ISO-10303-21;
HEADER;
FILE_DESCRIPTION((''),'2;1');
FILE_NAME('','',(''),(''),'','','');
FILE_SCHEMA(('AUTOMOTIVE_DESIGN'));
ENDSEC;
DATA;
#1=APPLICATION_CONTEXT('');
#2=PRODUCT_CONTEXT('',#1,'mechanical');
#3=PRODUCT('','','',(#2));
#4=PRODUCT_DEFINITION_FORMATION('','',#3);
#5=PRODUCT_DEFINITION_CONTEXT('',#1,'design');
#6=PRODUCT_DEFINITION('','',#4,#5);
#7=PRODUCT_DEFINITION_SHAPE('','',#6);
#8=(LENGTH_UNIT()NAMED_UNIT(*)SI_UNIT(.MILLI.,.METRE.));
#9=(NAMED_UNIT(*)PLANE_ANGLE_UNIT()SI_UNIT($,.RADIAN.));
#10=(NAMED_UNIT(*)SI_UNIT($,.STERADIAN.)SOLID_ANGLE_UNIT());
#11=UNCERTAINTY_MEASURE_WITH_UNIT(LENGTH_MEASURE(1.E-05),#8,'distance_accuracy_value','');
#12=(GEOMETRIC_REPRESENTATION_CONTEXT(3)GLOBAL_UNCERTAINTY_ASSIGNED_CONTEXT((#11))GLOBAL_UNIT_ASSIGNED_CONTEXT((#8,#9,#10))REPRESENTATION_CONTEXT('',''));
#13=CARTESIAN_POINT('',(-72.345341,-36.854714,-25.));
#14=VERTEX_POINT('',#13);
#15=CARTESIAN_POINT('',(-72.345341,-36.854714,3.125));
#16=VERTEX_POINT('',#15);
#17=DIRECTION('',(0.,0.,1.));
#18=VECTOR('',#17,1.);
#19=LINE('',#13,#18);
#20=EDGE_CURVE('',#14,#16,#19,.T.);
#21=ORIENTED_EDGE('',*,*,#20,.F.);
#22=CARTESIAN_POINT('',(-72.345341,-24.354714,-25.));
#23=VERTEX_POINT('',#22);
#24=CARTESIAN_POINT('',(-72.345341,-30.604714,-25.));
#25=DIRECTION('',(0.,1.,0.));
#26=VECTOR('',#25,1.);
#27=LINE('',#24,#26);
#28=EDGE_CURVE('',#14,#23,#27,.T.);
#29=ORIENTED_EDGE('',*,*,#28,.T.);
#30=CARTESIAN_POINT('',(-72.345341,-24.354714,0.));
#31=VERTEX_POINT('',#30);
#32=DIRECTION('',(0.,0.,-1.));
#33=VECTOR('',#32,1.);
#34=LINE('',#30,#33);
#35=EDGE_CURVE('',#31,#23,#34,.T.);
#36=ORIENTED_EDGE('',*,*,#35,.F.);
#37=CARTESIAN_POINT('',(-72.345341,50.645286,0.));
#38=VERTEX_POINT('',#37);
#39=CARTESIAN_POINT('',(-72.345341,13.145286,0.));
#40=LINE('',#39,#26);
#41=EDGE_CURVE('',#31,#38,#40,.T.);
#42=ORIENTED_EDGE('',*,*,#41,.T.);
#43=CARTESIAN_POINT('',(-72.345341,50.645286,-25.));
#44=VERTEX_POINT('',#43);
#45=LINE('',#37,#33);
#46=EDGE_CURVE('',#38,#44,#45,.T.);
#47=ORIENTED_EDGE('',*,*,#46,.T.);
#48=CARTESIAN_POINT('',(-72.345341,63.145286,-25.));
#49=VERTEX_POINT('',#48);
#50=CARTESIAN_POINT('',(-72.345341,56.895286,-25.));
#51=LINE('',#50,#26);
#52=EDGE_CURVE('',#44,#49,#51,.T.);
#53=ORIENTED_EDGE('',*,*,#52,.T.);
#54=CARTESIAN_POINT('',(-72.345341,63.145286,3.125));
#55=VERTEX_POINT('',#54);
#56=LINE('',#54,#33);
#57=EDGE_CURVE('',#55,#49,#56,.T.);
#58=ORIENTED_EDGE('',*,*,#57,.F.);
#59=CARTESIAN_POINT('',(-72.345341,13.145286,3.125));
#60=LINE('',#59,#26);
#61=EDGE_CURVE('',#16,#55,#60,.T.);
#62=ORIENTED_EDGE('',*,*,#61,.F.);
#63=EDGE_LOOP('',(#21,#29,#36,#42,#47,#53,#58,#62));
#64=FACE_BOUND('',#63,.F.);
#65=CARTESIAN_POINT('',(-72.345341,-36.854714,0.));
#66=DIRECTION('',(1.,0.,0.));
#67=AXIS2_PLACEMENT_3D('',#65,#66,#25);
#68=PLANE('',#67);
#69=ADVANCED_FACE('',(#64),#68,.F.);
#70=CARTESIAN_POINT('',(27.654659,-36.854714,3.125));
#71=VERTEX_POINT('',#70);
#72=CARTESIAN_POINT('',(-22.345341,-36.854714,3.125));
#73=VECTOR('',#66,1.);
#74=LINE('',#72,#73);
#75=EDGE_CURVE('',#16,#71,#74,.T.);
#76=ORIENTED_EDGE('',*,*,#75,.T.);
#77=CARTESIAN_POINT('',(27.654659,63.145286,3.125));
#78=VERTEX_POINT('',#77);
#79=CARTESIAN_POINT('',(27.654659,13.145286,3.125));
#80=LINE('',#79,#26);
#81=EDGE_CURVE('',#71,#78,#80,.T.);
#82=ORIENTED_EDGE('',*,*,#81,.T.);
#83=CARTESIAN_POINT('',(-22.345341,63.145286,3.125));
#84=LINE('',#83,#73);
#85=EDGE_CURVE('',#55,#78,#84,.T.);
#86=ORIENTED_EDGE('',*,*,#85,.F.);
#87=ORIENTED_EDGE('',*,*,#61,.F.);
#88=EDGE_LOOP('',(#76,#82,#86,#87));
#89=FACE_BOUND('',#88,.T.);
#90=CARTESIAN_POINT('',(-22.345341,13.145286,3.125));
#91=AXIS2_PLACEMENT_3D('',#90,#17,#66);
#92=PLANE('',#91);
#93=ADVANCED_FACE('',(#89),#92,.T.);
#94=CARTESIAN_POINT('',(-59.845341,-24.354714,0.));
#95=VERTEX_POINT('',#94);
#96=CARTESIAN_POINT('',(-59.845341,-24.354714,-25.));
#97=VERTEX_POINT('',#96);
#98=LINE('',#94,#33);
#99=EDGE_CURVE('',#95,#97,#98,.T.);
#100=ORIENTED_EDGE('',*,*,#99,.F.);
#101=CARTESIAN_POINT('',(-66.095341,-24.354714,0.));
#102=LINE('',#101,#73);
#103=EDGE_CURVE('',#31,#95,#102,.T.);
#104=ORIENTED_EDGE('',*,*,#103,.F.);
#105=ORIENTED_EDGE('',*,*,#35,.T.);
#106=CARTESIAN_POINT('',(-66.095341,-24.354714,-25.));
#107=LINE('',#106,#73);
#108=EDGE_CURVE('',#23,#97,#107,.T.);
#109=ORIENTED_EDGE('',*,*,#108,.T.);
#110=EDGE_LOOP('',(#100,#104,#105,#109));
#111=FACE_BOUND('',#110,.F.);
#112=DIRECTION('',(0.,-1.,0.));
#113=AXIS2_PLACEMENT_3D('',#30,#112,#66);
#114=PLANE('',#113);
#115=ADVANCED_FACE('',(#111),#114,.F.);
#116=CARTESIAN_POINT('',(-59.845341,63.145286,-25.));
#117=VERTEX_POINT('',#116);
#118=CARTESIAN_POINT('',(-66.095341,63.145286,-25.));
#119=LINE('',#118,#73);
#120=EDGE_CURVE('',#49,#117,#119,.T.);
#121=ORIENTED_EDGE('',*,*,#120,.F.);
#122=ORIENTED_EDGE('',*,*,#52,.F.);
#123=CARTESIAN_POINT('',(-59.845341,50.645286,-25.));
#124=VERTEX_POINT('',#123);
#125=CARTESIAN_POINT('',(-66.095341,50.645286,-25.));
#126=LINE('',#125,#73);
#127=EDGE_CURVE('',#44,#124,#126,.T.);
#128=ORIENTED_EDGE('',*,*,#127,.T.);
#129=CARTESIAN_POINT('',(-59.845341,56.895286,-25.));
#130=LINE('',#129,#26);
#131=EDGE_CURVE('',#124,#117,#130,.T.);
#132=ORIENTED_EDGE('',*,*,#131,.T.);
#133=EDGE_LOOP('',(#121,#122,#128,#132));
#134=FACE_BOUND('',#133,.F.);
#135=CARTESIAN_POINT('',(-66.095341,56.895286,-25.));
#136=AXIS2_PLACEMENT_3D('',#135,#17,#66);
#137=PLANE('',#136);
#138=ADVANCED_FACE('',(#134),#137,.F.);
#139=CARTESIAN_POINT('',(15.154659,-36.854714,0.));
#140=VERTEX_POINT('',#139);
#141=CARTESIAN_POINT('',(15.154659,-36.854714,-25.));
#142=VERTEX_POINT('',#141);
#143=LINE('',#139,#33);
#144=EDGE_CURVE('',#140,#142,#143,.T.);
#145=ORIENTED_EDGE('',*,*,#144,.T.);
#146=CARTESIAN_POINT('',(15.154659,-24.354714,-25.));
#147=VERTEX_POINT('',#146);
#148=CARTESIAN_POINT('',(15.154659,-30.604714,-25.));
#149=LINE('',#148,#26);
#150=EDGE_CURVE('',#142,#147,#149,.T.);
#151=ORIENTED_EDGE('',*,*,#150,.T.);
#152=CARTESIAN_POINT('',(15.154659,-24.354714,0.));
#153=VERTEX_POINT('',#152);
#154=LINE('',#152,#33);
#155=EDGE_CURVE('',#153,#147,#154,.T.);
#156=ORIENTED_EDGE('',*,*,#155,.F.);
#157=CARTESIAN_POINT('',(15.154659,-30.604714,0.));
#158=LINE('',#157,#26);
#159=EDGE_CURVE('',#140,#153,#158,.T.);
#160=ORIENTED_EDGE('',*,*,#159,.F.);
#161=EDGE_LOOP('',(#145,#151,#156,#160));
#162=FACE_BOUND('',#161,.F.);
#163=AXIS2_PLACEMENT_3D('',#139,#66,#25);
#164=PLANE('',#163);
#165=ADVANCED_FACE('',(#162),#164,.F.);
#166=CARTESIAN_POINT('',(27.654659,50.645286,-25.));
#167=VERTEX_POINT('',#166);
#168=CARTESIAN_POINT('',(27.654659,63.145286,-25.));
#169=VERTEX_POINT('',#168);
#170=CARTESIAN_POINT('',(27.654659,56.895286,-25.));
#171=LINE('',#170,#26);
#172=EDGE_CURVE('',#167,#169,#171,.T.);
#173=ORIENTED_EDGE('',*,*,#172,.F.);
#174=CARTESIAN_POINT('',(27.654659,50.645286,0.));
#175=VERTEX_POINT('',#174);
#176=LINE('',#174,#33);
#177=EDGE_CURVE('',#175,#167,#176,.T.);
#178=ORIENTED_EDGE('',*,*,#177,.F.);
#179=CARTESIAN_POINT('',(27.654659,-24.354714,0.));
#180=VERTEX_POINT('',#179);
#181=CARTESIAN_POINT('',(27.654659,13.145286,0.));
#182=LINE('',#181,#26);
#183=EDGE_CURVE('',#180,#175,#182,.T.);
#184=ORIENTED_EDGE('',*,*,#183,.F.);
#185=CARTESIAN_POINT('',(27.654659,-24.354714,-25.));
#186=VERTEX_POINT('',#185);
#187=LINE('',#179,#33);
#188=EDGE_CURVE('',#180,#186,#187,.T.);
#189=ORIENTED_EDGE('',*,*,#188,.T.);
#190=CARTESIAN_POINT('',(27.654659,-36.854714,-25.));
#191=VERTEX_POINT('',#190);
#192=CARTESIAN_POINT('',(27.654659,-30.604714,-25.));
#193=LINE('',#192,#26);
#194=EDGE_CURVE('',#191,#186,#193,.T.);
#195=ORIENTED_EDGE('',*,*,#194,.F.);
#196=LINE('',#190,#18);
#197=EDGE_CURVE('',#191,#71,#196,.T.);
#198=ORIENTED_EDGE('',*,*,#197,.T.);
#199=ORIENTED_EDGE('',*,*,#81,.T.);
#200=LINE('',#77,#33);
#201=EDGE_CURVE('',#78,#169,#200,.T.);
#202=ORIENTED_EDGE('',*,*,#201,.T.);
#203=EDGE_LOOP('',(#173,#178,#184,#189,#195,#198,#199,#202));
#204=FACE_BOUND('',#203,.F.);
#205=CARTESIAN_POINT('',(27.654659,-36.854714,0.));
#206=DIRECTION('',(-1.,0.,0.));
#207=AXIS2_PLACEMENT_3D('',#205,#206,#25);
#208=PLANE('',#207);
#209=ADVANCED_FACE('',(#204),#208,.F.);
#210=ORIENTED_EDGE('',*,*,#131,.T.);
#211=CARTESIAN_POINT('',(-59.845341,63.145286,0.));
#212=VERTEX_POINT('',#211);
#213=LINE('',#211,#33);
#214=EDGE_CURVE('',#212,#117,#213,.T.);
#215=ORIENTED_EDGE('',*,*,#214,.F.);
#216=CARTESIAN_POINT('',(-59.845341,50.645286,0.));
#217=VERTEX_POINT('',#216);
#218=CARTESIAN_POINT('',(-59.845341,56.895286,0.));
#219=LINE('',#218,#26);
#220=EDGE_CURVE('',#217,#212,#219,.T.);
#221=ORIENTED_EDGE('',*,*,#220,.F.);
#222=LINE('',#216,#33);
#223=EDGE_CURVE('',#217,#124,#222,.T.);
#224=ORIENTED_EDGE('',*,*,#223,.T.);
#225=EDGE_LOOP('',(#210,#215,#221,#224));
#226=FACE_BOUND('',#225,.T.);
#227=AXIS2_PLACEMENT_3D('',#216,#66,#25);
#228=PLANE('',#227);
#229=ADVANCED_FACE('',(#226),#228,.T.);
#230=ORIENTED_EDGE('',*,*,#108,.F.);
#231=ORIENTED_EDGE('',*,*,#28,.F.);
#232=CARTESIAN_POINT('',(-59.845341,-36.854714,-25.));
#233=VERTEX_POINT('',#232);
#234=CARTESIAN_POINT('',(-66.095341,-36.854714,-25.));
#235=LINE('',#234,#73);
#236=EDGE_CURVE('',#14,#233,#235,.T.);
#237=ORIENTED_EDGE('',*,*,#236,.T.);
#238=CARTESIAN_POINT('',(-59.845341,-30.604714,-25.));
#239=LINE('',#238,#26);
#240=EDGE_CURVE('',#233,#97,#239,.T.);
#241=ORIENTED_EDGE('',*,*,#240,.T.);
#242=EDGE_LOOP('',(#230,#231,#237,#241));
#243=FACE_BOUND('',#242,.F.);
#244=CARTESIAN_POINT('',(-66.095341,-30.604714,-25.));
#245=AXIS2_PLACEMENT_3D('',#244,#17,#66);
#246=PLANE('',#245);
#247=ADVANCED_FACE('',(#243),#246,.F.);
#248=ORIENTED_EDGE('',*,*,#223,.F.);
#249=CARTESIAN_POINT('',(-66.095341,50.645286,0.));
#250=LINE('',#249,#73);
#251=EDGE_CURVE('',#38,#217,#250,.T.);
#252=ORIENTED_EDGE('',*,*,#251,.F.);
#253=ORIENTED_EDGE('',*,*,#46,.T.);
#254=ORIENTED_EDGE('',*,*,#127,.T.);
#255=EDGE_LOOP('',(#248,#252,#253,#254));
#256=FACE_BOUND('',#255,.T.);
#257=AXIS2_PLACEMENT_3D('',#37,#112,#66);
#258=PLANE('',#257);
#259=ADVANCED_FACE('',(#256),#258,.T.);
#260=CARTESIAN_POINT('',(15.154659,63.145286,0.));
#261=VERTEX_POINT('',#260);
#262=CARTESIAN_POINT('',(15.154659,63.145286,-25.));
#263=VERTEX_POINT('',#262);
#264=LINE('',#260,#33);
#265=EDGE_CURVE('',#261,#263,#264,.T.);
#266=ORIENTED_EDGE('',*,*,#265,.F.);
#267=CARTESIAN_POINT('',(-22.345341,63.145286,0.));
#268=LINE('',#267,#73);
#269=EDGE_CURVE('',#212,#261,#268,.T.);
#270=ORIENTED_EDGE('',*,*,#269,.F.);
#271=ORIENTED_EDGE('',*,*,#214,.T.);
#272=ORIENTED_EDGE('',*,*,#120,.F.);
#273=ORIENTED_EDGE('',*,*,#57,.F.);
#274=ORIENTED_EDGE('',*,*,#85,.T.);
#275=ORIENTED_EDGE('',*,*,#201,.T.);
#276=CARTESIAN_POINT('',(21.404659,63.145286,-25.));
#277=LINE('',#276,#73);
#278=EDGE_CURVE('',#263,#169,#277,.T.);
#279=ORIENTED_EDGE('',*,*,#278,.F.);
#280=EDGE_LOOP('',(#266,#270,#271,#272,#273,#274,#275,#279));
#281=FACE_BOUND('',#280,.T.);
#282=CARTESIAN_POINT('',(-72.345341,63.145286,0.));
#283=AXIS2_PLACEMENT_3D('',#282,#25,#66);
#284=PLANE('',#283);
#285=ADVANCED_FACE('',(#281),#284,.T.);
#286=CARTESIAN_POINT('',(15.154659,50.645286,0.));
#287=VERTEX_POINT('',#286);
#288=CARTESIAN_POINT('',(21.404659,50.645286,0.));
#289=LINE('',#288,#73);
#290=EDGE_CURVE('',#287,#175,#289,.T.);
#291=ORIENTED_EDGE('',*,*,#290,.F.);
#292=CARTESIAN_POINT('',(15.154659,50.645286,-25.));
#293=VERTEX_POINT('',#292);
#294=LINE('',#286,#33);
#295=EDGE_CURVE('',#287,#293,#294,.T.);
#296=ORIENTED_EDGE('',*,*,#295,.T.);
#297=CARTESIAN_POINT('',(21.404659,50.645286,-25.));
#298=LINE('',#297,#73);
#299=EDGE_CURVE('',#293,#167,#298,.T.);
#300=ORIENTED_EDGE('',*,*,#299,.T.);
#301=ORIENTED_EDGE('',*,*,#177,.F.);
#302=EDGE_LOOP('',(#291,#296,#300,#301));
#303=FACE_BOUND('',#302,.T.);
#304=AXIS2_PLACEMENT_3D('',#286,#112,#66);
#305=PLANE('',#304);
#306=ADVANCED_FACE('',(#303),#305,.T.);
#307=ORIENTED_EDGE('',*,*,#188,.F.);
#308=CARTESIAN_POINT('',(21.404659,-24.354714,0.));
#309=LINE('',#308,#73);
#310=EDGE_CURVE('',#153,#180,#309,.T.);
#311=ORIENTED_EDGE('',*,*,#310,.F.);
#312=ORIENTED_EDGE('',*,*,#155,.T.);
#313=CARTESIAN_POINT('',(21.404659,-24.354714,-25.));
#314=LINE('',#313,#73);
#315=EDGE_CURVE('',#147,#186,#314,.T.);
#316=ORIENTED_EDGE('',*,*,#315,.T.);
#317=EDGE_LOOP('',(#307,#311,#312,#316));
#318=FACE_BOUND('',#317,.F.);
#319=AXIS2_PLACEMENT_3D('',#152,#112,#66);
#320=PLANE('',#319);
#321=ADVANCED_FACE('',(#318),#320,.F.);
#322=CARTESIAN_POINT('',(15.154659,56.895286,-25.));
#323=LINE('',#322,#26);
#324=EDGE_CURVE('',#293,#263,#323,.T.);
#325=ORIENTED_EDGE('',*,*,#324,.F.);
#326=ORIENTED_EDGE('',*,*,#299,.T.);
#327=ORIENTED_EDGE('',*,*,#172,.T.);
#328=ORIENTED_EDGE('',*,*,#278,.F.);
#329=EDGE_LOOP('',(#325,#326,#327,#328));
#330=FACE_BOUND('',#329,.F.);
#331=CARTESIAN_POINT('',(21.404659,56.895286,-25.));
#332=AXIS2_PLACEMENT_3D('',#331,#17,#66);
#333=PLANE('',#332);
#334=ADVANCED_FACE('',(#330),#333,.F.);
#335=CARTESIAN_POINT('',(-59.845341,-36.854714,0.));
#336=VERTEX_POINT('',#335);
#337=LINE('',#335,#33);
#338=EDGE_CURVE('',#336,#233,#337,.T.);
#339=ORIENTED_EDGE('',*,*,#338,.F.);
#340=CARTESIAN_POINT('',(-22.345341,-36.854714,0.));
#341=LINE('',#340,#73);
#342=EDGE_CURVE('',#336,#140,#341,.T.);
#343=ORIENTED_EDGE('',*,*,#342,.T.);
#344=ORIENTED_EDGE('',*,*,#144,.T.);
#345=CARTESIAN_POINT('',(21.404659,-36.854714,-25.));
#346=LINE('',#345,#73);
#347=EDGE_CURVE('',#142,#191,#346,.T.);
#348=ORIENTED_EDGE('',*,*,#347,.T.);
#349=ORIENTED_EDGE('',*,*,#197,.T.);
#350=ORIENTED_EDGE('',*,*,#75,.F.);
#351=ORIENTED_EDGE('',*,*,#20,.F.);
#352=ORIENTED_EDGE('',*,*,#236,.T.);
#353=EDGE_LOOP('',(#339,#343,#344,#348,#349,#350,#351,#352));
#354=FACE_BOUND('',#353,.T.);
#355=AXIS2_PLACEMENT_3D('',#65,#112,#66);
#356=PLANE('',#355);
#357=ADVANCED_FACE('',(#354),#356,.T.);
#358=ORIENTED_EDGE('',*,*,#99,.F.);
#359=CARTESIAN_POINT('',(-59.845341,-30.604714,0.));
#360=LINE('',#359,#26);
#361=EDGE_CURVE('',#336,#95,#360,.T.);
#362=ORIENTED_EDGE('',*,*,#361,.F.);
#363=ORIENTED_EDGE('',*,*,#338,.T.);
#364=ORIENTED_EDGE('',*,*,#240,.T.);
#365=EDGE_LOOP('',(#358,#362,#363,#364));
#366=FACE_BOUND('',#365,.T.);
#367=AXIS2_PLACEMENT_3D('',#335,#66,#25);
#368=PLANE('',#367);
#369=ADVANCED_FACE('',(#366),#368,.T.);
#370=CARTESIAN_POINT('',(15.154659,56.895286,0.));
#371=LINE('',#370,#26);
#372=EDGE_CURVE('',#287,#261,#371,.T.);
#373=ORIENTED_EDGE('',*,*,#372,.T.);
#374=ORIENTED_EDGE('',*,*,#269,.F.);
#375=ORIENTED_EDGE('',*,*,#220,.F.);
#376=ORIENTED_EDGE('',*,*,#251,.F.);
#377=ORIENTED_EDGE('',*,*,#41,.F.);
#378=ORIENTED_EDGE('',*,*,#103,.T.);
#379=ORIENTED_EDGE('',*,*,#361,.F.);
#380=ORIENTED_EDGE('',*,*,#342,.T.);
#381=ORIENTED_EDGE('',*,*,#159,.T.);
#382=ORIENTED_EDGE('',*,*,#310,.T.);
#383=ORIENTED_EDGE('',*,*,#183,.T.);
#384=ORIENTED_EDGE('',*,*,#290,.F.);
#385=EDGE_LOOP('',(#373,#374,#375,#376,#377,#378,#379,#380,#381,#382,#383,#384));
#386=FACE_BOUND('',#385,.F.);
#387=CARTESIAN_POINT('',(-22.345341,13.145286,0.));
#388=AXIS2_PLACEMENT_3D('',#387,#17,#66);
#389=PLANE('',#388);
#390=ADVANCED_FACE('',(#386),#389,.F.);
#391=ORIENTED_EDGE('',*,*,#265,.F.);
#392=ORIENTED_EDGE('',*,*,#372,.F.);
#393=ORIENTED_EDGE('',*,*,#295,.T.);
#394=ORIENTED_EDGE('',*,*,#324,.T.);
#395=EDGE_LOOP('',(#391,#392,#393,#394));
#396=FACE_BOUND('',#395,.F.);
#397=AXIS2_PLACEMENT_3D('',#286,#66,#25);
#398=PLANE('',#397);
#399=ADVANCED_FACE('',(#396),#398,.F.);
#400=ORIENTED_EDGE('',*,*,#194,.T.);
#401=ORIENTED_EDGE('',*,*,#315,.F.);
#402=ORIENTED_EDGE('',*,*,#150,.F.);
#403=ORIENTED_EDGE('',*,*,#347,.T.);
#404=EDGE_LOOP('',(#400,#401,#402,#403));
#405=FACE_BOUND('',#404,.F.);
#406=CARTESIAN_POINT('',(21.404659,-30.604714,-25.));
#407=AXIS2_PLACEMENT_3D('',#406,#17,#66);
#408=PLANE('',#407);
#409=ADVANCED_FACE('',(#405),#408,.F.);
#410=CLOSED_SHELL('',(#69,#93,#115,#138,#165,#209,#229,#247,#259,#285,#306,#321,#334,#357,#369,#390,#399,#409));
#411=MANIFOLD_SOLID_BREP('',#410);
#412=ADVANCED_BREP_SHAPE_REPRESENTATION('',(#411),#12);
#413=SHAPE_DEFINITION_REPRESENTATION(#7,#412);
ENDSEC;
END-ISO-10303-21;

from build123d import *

# Parameters (mm, degrees)
F0_W     = 100
F0_H     = 100
F1_DEPTH = 3.125
F2_W     = 12.5
F2_H     = 12.5
F3_DEPTH = 25


with BuildPart() as f1:
    # F0 (on Top) → F1 (new body)
    with BuildSketch(Plane.XY):
        with Locations((-22.345341, 13.145286)):
            Rectangle(F0_W, F0_H)
    extrude(amount=F1_DEPTH)

    # F2 (on Top) → F3 (join)
    with BuildSketch(Plane.XY):
        with Locations((-66.095341, -30.604714)):
            Rectangle(F2_W, F2_H)
        with Locations((21.404659, -30.604714)):
            Rectangle(F2_W, F2_H)
        with Locations((-66.095341, 56.895286)):
            Rectangle(F2_W, F2_H)
        with Locations((21.404659, 56.895286)):
            Rectangle(F2_W, F2_H)
    extrude(amount=-F3_DEPTH)


solid = f1.part
